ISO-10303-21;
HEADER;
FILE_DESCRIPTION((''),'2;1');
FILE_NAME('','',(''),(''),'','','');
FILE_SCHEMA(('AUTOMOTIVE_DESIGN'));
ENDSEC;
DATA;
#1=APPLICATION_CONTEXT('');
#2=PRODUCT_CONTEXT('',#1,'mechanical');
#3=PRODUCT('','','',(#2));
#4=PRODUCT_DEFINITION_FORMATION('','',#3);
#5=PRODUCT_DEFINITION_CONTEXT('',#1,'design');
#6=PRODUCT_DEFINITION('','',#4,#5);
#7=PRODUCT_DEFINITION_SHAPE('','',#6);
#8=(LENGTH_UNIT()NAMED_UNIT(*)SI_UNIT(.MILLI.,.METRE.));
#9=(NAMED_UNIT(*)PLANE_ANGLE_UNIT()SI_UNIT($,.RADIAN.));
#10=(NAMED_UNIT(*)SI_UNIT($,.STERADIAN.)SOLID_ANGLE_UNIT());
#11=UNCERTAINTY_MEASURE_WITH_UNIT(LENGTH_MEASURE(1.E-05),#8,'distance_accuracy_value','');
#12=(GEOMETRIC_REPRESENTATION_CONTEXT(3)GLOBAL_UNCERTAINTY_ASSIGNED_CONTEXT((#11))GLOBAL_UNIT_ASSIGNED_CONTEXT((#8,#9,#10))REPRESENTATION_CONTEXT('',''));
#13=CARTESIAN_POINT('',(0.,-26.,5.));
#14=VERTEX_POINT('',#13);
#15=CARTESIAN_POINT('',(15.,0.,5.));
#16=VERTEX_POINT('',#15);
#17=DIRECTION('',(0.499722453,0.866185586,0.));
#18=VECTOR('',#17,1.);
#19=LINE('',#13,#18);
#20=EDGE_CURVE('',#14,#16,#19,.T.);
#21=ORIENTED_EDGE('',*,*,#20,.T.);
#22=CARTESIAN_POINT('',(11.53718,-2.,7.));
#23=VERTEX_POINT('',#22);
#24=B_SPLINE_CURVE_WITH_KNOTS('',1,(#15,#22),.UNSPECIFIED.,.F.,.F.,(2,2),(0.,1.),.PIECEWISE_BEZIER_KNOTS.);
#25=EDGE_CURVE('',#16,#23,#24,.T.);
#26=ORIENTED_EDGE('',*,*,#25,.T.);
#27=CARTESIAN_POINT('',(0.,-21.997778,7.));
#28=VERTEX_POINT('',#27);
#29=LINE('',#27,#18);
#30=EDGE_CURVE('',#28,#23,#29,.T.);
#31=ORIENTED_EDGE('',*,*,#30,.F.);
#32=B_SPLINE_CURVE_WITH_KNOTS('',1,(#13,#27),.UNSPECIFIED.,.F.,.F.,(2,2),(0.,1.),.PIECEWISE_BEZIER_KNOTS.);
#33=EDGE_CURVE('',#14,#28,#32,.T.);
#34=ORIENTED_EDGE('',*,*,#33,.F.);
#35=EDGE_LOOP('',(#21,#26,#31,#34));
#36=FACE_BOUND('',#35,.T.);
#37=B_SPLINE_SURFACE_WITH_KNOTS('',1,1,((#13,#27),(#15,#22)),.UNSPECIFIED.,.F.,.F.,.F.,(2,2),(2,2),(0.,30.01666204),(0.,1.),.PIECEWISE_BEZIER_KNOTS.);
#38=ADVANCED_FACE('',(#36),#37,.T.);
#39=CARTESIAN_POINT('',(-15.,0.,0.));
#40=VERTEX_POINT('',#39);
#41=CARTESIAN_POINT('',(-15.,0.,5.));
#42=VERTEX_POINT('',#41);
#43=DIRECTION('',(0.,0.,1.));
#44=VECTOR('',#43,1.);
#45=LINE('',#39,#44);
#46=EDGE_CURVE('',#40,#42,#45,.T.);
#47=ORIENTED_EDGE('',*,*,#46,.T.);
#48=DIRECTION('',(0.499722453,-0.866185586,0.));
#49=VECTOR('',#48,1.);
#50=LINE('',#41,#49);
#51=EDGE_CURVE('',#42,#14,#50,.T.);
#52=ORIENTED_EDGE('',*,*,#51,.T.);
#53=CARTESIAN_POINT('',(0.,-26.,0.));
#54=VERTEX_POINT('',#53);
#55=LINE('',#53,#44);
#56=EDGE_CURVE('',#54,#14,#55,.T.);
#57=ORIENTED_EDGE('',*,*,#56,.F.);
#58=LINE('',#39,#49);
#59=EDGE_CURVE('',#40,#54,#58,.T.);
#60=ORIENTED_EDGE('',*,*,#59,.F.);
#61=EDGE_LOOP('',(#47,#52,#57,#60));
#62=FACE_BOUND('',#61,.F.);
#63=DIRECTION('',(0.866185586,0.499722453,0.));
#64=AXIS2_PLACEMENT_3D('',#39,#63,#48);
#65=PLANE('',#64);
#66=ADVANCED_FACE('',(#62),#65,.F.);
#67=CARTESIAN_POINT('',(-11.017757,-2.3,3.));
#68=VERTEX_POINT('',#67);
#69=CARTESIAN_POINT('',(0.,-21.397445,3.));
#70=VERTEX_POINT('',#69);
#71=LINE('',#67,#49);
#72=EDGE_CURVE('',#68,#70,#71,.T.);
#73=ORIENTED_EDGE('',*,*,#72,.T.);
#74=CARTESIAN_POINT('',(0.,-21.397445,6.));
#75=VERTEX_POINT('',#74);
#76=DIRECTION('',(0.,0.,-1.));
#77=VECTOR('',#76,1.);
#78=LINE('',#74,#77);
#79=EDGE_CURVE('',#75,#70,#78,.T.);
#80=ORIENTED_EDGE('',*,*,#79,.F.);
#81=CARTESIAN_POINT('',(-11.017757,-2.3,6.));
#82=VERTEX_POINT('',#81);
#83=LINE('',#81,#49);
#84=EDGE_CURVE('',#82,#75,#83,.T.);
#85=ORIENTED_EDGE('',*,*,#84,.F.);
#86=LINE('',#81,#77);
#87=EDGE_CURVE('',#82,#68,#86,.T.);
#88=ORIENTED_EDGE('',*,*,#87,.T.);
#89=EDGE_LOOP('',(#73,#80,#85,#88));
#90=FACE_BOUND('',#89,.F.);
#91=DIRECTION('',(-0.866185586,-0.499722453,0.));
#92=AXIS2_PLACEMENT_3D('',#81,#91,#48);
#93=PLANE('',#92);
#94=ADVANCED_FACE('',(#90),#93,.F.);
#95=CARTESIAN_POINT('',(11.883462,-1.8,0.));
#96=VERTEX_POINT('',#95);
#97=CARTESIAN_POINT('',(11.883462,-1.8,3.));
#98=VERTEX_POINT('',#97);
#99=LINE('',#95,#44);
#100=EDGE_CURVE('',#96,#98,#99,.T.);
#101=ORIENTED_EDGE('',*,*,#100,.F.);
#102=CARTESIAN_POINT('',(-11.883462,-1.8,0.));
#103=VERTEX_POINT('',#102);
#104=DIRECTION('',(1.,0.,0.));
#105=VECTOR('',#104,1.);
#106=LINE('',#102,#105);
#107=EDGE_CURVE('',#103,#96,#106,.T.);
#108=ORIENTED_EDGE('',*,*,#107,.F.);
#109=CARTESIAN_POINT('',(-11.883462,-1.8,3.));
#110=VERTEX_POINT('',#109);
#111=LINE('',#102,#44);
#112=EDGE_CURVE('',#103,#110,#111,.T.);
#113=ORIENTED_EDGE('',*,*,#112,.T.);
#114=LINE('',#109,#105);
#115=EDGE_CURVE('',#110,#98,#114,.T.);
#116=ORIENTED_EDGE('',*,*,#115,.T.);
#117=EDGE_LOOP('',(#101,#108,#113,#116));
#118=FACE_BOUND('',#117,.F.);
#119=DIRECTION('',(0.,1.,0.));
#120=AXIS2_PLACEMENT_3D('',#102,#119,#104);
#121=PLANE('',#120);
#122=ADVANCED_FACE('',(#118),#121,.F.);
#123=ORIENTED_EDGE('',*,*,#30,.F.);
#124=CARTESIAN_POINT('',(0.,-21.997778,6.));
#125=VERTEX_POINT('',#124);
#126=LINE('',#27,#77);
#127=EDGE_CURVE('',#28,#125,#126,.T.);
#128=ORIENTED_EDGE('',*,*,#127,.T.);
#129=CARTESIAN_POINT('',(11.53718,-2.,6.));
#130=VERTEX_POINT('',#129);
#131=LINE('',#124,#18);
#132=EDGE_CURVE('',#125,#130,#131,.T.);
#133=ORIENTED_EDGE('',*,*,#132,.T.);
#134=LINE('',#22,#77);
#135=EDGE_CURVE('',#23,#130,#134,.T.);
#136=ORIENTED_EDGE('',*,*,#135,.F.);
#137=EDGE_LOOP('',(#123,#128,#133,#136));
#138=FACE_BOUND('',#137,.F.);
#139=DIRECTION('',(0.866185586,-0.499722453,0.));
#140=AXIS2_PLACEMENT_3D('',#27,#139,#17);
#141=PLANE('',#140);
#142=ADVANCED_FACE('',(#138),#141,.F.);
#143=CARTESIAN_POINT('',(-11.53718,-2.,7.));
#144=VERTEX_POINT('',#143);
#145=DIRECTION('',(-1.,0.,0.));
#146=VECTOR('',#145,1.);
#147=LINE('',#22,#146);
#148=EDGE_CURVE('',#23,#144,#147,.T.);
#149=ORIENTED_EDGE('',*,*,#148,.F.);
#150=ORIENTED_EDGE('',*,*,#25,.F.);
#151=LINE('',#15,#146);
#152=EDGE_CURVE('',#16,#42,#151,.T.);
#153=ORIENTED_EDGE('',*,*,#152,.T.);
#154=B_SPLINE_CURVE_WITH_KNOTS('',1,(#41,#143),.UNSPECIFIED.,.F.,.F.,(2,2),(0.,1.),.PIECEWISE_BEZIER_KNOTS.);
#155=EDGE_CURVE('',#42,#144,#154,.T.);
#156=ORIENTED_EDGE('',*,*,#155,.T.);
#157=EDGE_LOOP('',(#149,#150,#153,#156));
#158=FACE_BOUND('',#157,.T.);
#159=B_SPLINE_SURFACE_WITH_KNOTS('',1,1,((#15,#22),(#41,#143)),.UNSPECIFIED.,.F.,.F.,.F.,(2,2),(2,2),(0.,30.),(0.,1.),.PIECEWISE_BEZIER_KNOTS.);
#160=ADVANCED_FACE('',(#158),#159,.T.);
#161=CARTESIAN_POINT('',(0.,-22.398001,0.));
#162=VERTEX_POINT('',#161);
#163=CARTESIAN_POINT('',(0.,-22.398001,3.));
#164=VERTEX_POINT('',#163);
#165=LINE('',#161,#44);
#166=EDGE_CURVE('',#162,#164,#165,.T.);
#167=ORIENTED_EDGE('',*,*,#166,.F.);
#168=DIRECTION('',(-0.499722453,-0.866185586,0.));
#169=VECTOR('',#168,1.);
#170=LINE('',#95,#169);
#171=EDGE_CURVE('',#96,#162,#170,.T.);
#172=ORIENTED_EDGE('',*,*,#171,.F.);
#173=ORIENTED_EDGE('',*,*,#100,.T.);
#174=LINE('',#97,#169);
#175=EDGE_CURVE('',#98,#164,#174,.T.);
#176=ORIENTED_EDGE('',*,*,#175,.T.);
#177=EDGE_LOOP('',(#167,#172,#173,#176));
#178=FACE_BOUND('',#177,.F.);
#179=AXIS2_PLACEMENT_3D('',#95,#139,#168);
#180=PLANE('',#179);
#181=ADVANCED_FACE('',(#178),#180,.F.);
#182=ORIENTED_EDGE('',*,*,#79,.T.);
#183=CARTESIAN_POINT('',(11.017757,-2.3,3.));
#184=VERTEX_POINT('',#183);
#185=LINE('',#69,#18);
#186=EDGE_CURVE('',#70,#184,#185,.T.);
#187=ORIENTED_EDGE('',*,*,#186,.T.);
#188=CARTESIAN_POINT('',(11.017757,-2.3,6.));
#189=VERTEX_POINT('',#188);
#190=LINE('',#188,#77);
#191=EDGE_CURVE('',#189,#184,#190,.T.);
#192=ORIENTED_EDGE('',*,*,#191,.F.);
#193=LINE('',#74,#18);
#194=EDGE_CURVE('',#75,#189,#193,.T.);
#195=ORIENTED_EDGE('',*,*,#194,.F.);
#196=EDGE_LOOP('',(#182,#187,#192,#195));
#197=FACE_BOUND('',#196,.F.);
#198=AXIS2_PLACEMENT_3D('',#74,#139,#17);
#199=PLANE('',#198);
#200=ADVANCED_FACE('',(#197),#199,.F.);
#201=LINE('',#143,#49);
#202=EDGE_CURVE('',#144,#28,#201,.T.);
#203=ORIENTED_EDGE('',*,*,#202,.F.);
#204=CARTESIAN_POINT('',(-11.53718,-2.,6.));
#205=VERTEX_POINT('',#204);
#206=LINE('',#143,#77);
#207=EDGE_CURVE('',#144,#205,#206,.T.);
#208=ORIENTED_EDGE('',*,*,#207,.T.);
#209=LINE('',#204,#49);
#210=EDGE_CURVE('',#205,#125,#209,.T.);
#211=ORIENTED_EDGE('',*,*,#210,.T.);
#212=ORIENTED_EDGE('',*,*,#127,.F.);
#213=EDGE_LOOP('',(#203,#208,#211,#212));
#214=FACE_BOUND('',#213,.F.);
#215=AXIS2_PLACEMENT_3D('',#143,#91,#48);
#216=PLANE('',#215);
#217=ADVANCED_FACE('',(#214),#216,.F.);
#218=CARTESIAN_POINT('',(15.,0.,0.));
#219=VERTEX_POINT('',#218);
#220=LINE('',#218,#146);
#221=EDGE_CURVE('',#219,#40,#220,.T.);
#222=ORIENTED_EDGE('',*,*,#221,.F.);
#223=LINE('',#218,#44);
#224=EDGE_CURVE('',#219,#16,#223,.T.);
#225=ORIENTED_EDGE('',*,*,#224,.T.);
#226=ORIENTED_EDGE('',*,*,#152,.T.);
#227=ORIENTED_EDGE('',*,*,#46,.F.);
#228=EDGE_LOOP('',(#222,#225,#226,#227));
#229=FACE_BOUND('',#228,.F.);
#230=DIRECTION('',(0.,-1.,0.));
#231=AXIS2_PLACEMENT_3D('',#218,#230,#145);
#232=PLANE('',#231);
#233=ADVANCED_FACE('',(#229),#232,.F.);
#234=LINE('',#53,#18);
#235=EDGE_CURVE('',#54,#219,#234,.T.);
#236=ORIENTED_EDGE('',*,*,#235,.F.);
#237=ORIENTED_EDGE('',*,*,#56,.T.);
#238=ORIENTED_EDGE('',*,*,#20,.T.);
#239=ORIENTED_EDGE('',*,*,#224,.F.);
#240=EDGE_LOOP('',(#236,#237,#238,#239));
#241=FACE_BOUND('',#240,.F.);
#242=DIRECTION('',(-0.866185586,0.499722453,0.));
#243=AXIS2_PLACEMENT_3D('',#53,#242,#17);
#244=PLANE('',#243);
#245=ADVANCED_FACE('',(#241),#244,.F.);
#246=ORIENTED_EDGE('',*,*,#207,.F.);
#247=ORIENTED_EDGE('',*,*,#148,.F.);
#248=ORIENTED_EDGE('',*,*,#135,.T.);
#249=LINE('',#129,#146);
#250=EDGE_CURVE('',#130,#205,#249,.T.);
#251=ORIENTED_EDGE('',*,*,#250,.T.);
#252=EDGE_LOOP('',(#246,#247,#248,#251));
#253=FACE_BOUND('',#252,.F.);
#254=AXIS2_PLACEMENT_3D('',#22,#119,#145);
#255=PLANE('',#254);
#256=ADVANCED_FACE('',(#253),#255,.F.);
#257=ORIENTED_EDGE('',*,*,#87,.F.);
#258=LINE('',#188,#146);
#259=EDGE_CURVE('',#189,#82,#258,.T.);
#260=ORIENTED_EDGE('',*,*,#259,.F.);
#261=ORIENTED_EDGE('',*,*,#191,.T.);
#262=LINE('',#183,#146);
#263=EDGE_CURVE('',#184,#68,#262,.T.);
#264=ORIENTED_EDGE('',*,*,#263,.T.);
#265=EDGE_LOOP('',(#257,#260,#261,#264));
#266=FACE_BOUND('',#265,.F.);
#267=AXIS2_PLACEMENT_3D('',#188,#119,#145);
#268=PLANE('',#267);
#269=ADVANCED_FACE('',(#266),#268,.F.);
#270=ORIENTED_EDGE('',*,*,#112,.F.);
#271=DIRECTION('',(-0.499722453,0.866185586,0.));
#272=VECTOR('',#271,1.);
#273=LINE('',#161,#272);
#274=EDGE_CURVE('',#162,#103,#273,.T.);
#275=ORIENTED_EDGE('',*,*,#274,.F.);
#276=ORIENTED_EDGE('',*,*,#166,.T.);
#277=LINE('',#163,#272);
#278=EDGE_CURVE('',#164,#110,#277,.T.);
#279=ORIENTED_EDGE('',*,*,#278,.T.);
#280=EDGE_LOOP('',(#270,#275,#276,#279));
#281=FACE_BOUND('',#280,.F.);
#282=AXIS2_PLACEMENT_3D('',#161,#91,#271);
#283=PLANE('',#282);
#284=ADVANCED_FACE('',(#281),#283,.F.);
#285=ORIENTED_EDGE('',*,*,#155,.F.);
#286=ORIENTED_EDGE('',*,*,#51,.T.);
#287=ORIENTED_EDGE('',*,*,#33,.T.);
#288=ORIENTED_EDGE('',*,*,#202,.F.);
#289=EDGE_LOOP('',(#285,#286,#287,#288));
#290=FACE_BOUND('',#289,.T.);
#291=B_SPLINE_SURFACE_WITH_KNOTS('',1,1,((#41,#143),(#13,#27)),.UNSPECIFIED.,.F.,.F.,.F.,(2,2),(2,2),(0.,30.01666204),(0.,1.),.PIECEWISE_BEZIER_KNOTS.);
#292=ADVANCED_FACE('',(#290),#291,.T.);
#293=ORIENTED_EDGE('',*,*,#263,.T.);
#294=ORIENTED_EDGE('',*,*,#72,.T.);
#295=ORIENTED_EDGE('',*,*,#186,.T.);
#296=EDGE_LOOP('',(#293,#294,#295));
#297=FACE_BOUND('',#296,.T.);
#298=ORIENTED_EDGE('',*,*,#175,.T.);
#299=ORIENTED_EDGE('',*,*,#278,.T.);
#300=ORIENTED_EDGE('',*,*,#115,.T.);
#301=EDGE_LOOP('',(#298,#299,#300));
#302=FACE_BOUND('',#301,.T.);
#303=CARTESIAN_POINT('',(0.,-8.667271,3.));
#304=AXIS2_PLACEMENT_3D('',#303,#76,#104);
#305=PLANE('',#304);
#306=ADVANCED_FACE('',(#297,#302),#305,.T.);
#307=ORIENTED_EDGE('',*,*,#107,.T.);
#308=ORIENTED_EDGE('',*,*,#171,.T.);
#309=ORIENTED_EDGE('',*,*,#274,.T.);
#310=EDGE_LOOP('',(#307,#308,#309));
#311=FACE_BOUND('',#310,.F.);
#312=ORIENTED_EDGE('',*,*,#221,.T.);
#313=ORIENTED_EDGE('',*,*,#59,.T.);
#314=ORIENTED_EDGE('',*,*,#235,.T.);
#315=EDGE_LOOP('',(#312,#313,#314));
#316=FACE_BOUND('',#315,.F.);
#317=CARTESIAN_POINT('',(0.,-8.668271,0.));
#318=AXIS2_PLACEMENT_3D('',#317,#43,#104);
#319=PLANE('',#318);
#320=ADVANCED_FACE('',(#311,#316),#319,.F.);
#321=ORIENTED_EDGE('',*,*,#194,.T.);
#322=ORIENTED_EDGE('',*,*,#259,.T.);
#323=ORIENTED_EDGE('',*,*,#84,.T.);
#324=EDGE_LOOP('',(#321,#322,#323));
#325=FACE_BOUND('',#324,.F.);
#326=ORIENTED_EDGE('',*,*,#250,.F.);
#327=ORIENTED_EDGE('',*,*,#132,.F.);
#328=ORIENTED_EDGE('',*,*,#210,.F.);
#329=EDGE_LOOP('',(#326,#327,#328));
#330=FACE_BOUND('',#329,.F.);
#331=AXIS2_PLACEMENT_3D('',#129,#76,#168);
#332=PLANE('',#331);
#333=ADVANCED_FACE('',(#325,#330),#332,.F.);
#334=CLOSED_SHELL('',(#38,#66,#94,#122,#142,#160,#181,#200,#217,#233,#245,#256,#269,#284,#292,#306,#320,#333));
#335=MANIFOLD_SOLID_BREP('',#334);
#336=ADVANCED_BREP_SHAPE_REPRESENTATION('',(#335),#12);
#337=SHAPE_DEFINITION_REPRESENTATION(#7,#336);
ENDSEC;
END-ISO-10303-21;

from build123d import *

# Parameters (mm, degrees)
F1_DEPTH = 5
F6_DEPTH = 1
F8_DEPTH = 3
F9_DEPTH = 3


with BuildPart() as f1:
    # F0 (on Top) → F1 (new body)
    with BuildSketch(Plane.XY):
        Polygon((15, 0), (-15, 0), (0, -26), align=None)
    extrude(amount=F1_DEPTH)

    # F1_face (on face) → F4 section 0
    with BuildSketch(Plane(origin=(0, -8.6666666667, 5), x_dir=(1, 0, 0), z_dir=(0, 0, 1))):
        Polygon((15, 8.6666666667), (-15, 8.6666666667), (0, -17.3333333333), align=None)
    # F3 (on offset) → F4 section 1
    with BuildSketch(Plane.XY.offset(7)):
        Polygon((0, -21.9977783947), (11.5371798431, -2), (-11.5371798431, -2), align=None)
    loft()

    # F6 (cut): a face of the model
    f6_faces = [f1.faces().sort_by_distance(p)[0] for p in [
        (0, -8.6659261316, 7),
    ]]
    extrude(f6_faces, amount=-F6_DEPTH, mode=Mode.SUBTRACT)

    # F7 (on face) → F8 (cut)
    with BuildSketch(Plane.XY.offset(6)):
        Polygon((0, -21.3974451539), (11.0177568196, -2.3), (-11.0177568196, -2.3), align=None)
    extrude(amount=-F8_DEPTH, mode=Mode.SUBTRACT)

    # F5 (on face) → F9 (cut, through all)
    with BuildSketch(Plane(origin=(0, 0, 0), x_dir=(1, 0, 0), z_dir=(0, 0, -1))):
        Polygon((0, 22.3980005552), (-11.8834618588, 1.8), (11.8834618588, 1.8), align=None)
    extrude(amount=-F9_DEPTH, mode=Mode.SUBTRACT)


solid = f1.part
